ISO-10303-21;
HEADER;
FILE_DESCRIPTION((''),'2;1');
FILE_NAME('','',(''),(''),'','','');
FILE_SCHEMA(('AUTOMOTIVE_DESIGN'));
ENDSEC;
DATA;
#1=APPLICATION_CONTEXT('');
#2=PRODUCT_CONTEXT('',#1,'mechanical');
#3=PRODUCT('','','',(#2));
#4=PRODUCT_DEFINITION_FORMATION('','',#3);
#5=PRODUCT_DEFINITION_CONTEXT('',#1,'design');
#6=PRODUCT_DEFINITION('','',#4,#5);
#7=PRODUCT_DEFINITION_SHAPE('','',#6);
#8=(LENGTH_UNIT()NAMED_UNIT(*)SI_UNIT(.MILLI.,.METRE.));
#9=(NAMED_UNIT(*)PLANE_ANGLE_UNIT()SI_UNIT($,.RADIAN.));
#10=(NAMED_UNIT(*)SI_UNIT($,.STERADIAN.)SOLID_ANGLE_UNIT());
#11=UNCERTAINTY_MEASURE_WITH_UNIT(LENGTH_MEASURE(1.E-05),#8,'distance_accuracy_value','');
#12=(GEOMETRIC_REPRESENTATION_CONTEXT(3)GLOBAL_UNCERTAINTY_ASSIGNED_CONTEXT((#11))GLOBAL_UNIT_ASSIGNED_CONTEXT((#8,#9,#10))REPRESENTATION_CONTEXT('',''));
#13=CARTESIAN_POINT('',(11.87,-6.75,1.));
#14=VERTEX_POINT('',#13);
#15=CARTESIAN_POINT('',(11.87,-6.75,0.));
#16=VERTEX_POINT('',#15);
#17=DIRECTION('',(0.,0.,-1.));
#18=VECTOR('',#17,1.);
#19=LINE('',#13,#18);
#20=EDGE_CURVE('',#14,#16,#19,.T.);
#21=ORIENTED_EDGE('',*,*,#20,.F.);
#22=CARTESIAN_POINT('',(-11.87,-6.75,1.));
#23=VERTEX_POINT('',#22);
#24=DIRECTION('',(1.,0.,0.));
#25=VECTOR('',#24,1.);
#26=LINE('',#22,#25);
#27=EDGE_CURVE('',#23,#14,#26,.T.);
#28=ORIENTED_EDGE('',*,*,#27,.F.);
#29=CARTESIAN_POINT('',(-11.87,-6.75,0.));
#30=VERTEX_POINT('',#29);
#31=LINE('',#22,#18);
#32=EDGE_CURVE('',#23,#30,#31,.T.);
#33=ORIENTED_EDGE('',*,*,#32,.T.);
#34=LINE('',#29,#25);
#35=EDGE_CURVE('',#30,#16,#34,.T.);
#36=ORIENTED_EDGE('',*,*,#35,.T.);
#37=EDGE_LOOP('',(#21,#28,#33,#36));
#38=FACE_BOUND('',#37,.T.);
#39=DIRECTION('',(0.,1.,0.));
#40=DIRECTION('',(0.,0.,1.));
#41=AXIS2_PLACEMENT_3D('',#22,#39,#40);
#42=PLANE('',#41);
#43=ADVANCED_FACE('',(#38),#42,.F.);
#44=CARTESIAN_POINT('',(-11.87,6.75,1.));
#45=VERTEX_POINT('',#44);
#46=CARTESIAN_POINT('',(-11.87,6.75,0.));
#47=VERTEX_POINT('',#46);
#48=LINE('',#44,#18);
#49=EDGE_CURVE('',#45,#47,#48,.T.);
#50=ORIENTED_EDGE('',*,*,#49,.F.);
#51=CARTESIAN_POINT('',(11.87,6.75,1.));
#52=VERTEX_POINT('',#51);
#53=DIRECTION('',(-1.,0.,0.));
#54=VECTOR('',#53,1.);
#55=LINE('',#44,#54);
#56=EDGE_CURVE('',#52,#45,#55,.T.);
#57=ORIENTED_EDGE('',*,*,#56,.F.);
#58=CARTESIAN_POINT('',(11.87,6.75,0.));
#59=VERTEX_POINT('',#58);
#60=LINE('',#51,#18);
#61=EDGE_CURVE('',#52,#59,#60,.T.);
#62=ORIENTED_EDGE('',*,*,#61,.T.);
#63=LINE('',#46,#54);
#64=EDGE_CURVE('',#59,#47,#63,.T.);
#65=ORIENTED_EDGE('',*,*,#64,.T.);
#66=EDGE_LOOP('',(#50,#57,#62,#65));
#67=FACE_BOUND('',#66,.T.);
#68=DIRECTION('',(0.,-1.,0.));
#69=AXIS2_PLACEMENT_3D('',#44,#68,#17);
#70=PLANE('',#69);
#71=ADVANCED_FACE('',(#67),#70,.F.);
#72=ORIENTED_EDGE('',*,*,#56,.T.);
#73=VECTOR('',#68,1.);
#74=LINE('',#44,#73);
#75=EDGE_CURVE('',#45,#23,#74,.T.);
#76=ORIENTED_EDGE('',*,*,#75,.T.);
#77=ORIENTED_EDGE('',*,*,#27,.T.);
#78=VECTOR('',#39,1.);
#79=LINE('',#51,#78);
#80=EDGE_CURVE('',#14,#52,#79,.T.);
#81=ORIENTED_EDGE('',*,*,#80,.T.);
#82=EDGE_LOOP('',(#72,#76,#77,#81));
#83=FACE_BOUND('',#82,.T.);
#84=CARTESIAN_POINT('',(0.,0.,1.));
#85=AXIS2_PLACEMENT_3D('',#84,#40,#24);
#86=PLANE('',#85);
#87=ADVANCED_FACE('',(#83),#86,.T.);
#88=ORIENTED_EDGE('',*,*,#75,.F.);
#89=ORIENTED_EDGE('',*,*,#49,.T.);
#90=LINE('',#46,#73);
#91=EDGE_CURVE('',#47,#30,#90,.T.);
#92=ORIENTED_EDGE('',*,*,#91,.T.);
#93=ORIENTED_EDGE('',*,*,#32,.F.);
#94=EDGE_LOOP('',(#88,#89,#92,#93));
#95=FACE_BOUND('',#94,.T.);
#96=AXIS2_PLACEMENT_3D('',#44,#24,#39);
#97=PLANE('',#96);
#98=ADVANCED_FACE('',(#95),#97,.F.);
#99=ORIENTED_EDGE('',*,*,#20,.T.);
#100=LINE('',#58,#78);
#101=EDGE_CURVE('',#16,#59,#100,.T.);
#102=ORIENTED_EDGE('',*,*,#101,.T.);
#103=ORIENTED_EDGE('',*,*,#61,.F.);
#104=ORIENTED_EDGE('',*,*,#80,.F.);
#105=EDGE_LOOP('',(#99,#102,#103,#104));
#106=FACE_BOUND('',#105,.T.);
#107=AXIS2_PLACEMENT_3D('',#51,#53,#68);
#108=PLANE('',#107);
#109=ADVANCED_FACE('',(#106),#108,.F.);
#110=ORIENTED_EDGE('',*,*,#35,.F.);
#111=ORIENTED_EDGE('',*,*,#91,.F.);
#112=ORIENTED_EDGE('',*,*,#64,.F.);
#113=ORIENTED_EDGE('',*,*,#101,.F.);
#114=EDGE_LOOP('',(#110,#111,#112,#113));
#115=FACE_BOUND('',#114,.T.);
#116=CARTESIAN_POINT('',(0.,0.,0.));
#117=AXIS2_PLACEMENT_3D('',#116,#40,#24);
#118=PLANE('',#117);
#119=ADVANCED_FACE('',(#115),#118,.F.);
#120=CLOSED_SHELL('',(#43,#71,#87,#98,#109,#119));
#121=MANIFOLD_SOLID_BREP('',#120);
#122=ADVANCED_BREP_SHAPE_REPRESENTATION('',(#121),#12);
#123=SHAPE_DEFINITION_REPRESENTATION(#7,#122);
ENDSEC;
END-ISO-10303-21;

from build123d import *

# Parameters (mm, degrees)
SKETCH_1_W      = 23.74
SKETCH_1_H      = 13.5
EXTRUDE_1_DEPTH = 1


with BuildPart() as part:
    # 草图1 → 凸台-拉伸1 (new body)
    with BuildSketch(Plane.XY):
        Rectangle(SKETCH_1_W, SKETCH_1_H)
    extrude(amount=EXTRUDE_1_DEPTH)


solid = part.part
